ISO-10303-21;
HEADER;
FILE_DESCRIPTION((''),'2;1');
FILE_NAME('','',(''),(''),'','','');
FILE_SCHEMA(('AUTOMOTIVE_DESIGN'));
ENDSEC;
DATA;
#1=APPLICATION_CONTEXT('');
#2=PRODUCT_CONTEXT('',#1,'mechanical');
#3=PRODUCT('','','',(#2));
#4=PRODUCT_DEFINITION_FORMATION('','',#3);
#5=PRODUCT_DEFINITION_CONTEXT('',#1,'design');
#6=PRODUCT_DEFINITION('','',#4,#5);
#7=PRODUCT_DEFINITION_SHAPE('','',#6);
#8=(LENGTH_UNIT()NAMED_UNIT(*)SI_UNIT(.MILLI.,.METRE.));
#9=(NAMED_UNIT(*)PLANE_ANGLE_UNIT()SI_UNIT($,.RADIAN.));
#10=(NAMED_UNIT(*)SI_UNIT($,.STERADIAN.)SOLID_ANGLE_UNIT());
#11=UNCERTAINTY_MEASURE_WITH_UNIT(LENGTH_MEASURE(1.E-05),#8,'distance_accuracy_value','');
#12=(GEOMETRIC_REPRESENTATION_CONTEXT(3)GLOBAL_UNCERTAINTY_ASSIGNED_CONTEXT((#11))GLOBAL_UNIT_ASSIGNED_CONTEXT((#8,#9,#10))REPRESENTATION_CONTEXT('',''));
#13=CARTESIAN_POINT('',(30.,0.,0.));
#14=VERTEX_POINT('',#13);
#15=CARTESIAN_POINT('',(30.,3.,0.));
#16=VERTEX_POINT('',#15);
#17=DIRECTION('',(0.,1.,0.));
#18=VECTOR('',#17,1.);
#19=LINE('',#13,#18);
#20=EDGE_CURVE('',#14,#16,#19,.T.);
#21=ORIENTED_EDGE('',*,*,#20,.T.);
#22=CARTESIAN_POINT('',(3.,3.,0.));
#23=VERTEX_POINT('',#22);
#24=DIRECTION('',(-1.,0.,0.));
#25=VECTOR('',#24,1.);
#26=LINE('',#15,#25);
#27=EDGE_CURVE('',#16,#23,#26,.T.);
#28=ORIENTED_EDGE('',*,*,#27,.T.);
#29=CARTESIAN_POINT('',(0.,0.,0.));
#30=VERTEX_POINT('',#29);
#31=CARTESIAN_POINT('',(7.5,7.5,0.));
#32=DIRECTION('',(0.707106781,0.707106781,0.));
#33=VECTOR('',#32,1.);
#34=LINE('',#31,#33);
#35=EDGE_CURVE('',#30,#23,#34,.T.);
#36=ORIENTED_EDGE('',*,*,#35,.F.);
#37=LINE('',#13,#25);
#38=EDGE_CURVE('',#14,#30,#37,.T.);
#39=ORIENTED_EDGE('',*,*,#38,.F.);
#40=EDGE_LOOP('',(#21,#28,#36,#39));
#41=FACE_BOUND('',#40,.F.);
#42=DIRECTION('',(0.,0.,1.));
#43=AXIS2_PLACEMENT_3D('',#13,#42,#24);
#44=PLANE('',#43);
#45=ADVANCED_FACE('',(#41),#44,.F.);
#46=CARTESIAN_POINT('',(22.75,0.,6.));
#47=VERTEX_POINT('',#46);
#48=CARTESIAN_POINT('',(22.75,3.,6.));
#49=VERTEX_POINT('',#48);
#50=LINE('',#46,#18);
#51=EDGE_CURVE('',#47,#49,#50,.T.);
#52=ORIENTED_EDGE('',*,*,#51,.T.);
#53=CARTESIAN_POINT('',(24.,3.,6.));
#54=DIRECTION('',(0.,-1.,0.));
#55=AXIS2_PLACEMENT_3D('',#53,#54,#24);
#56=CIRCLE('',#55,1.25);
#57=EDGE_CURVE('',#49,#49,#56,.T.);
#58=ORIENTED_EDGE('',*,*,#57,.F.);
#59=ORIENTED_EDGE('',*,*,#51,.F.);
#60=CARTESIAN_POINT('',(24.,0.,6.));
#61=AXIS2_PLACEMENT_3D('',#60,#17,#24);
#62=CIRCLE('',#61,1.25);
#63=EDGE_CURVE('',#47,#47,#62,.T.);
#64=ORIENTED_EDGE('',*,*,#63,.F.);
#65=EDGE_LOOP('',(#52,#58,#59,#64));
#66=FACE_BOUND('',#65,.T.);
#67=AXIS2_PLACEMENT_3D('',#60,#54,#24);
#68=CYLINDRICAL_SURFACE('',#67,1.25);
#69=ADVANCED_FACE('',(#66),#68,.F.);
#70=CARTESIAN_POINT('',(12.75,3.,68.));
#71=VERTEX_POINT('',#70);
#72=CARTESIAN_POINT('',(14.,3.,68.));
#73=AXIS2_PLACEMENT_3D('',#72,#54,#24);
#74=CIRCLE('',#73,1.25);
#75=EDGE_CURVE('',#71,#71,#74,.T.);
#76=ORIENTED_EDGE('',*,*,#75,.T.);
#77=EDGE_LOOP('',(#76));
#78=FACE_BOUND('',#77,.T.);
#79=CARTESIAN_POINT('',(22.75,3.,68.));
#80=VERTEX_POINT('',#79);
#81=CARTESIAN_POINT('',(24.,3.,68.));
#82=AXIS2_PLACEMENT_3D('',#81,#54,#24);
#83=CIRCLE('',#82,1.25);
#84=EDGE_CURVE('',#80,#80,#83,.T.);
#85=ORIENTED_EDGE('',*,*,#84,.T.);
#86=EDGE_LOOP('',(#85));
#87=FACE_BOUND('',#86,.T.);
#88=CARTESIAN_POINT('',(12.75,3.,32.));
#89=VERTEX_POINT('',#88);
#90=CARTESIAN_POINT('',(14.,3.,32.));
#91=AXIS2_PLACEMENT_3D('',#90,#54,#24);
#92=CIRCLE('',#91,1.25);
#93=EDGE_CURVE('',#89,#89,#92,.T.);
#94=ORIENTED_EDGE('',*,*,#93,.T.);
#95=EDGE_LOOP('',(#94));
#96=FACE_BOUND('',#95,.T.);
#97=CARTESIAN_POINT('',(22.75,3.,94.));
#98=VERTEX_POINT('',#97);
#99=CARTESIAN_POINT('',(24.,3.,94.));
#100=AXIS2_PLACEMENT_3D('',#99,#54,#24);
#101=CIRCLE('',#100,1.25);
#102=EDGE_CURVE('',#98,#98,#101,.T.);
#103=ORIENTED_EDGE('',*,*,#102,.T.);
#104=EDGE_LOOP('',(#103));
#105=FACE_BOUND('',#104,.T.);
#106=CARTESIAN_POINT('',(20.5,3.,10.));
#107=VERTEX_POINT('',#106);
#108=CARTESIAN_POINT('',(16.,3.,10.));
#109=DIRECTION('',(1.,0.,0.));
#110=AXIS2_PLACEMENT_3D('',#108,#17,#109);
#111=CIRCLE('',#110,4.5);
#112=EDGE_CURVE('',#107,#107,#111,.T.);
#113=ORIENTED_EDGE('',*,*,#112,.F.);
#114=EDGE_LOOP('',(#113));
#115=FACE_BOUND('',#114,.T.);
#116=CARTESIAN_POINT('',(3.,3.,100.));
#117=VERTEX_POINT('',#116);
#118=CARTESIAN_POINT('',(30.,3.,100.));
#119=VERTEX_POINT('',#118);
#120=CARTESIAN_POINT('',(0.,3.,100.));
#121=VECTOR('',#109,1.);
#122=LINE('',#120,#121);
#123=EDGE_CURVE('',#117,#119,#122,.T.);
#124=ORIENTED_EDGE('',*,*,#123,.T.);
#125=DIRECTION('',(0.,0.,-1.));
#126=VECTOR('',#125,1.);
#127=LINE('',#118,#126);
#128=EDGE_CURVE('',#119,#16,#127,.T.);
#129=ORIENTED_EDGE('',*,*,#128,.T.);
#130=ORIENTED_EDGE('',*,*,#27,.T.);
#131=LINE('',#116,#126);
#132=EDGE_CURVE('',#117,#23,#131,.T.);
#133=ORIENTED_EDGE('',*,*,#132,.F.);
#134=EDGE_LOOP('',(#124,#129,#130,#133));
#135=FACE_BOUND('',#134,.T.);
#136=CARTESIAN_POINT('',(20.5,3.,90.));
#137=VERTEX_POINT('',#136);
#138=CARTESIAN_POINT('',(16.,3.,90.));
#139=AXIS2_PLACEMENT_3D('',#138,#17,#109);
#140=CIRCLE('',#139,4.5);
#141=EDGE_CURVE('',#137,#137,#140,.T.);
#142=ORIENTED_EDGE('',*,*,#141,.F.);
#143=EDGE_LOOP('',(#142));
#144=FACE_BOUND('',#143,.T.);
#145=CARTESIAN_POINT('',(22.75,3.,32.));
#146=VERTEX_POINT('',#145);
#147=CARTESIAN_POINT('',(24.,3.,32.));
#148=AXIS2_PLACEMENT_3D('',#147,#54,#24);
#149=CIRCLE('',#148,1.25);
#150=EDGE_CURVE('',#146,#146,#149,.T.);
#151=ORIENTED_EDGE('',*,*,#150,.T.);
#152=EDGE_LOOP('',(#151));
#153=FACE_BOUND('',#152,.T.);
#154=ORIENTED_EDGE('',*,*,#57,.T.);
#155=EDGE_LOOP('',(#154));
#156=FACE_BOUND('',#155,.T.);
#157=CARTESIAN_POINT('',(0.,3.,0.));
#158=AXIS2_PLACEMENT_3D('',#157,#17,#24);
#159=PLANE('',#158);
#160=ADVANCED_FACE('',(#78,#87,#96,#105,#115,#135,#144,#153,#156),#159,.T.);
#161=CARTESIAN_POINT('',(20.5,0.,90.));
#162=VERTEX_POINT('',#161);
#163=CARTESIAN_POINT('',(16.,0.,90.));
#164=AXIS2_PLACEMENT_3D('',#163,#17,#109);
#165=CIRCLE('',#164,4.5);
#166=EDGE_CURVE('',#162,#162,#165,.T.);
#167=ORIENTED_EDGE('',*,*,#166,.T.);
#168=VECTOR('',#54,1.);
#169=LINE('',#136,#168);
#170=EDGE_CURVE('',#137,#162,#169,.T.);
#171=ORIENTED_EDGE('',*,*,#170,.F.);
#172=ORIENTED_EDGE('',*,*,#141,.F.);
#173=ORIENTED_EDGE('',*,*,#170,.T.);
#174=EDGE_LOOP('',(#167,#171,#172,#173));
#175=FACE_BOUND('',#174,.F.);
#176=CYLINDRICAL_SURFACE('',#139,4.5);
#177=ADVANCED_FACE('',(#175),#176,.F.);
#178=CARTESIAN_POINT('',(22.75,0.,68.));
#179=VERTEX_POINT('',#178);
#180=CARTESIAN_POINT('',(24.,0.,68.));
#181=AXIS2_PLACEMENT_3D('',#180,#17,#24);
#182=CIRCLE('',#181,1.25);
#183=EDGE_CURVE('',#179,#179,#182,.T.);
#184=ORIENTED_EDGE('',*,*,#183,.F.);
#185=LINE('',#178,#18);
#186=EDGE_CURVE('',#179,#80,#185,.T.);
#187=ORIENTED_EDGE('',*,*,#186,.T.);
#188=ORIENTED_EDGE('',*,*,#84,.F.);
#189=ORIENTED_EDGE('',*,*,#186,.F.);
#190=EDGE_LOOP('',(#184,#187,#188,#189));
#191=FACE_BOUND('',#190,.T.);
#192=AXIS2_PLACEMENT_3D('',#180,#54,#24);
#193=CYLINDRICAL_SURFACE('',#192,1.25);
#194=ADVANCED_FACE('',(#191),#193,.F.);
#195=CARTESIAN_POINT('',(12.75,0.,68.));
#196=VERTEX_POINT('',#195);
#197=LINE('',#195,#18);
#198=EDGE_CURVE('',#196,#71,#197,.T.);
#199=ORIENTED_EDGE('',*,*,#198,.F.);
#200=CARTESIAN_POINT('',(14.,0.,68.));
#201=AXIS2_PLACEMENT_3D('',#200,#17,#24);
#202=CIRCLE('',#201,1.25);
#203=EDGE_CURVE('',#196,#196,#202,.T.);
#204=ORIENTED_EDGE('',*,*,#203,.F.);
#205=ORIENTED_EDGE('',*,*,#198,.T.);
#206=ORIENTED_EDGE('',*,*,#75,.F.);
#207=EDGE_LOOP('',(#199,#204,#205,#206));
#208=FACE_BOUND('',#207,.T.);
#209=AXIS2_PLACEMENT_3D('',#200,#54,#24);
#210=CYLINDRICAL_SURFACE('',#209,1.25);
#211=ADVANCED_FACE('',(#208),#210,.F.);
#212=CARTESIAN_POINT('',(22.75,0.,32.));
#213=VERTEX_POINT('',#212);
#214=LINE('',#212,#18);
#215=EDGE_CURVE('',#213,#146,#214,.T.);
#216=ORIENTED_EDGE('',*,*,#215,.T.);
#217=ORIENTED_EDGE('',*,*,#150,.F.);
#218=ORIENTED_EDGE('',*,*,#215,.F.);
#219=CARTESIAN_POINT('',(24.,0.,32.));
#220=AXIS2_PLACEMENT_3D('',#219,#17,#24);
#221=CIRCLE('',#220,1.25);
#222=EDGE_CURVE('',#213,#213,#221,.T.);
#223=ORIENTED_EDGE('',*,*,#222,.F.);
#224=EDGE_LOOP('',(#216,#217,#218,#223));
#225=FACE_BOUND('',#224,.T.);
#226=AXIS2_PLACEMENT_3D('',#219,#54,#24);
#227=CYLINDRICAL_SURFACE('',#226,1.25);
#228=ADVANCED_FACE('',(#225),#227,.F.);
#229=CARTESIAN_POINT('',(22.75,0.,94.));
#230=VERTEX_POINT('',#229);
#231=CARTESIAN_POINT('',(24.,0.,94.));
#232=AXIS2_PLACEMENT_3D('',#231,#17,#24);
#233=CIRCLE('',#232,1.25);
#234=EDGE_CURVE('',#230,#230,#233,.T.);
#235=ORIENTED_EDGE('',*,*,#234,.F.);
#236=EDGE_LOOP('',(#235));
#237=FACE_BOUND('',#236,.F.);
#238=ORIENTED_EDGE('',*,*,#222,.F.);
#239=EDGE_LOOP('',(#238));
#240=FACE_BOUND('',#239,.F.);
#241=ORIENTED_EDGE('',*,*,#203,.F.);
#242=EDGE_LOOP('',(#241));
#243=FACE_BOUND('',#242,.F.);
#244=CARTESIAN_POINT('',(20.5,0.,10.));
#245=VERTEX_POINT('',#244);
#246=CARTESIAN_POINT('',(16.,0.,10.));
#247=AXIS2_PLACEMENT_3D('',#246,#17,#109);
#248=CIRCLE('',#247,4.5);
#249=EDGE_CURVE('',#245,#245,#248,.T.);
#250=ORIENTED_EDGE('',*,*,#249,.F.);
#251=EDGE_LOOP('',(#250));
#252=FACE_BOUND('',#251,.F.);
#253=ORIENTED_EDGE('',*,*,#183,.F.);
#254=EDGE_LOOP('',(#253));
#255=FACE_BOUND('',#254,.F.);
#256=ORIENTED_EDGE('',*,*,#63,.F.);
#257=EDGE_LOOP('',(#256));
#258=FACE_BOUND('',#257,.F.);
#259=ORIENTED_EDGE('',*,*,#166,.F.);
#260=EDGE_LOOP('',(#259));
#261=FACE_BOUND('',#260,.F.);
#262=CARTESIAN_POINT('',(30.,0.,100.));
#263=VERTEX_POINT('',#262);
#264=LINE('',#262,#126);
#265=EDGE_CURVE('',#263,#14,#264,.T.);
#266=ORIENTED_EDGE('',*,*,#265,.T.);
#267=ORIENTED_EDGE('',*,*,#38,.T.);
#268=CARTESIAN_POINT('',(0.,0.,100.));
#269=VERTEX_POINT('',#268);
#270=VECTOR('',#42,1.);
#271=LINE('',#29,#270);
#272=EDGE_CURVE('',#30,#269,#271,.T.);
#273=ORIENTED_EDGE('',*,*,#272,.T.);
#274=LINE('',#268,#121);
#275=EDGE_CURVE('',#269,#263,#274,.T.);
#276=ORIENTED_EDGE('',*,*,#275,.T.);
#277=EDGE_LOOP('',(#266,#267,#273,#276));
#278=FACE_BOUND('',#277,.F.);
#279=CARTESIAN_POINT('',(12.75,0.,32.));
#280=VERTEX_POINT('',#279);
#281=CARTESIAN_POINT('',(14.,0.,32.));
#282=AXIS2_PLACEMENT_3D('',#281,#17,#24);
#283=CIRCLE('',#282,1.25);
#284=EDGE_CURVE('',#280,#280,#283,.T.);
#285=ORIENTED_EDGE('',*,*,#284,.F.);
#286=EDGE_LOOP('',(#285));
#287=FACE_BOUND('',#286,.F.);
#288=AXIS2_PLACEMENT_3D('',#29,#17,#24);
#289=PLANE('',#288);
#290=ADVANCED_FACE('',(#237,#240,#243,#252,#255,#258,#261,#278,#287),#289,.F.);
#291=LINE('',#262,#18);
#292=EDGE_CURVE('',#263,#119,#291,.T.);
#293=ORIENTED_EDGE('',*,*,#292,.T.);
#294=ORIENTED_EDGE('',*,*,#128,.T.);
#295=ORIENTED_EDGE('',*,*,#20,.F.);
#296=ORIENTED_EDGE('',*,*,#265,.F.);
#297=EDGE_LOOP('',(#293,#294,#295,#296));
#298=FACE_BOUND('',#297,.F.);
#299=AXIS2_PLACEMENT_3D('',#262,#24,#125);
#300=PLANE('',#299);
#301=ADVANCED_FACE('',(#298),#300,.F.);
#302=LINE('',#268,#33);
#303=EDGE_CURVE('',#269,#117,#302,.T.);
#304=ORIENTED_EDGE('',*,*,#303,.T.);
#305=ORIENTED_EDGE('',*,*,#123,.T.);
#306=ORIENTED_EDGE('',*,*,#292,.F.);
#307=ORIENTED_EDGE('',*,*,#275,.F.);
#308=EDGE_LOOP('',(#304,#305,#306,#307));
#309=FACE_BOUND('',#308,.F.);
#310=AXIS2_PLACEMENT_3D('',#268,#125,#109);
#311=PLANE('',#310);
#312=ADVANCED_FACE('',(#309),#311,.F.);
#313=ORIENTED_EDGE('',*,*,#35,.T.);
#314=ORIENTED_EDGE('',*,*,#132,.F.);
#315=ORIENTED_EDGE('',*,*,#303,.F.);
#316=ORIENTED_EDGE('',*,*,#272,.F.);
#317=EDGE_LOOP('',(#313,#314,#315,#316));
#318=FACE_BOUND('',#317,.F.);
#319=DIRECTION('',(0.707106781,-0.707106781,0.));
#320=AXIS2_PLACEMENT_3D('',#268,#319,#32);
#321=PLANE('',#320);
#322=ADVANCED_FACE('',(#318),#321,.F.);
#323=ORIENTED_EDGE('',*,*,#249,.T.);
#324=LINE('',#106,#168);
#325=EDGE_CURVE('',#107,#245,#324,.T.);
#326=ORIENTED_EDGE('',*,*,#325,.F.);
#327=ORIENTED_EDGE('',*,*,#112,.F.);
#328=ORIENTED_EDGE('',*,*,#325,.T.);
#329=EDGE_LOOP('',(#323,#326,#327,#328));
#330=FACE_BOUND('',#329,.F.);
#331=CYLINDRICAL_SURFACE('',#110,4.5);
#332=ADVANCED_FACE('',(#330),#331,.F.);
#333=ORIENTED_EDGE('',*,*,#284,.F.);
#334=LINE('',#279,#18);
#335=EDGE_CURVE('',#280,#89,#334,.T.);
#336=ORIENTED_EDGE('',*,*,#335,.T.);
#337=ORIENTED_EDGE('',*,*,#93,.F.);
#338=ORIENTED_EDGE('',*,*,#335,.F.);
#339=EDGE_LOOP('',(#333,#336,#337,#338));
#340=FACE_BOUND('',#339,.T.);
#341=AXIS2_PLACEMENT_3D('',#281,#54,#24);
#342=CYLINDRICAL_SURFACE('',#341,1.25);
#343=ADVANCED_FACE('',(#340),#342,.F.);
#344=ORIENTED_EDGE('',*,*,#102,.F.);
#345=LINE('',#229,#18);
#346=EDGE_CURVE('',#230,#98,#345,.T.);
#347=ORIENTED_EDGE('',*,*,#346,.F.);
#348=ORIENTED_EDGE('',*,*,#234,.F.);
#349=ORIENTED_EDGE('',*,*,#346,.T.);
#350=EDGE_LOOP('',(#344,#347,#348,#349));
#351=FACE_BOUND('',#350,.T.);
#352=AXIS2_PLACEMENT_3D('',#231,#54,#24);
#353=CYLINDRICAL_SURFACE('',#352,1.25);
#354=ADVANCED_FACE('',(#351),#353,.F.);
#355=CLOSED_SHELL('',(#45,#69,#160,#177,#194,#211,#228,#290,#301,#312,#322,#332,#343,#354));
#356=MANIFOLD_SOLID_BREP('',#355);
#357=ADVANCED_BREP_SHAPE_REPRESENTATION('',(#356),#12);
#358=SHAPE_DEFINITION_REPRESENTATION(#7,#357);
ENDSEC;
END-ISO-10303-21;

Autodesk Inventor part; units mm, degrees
ref_plane "YZ Plane" through (0, 0, 0) normal (1, 0, 0) x (0, 1, 0)
ref_plane "XZ Plane" through (0, 0, 0) normal (0, 1, 0) x (-1, 0, 0)
ref_plane "XY Plane" through (0, 0, 0) normal (0, 0, 1) x (1, 0, 0)
sketch "Sketch1" plane through (0, 0, 0) normal (0, 1, 0) x (-1, 0, 0)
  line L0 (0, 100) -> (-30, 100)
  line L1 (-30, 100) -> (-30, 0)
  line L2 (-30, 0) -> (0, 0)
  line L3 (0, 0) -> (0, 100)
  circle A0 centre (-24, 94) radius 1.25
  circle A1 centre (-24, 68) radius 1.25
  circle A2 centre (-14, 68) radius 1.25
  line L4 (-30, 50) -> (0, 50) construction
  circle A3 centre (-24, 6) radius 1.25
  circle A4 centre (-24, 32) radius 1.25
  circle A5 centre (-14, 32) radius 1.25
  circle A6 centre (-16, 90) radius 4.5
  circle A7 centre (-16, 10) radius 4.5
  dimension "d0" = 30
  dimension "d1" = 100
  dimension "d7" = 2.5
  dimension "d8" = 6
  dimension "d9" = 6
  dimension "d10" = 2.5
  dimension "d12" = 2.5
  dimension "d13" = 10
  dimension "d16" = 32
  dimension "d23" = 9
  dimension "d24" = 10
  dimension "d25" = 14
extrude "Extrusion1" add sketch "Sketch1" along normal blind 3 contours L3 L2 L1 L0 | A0 | A1 | A2 | A3 | A4 | A5 | A6 | A7
sketch "Sketch2" plane through (0, 0, 100) normal (0, 0, 1) x (1, 0, 0)
  line L0 (0, 0) -> (0, 3) projected
  line L1 (0, 0) -> (3, 3)
  line L2 (0, 3) -> (30, 3) projected
  line L3 (0, 3) -> (0, 0)
  dimension "d4" = 3
extrude "Extrusion2" cut sketch "Sketch2" against normal through all
extrude "Extrusion3" cut sketch "Sketch1" along normal through all contours A0 | A1 | A2 | A3 | A4 | A5
sketch "Sketch3" plane through (0, 3, 0) normal (0, 1, 0) x (1, 0, 0)
  circle A0 centre (16, -10) radius 4.5
  line L0 (3, 0) -> (3, -100) projected
  line L1 (30, 0) -> (3, 0) projected
  line L2 (3, -50) -> (16, -50) construction
  circle A1 centre (16, -90) radius 4.5
  line L3 (30, -100) -> (30, 0) projected
  point P0 (0, 0)
  dimension "d18" = 10
  dimension "d19" = 9
  dimension "d22" = 14
extrude "Extrusion4" cut sketch "Sketch3" against normal through all
properties part number "Ostrze"
